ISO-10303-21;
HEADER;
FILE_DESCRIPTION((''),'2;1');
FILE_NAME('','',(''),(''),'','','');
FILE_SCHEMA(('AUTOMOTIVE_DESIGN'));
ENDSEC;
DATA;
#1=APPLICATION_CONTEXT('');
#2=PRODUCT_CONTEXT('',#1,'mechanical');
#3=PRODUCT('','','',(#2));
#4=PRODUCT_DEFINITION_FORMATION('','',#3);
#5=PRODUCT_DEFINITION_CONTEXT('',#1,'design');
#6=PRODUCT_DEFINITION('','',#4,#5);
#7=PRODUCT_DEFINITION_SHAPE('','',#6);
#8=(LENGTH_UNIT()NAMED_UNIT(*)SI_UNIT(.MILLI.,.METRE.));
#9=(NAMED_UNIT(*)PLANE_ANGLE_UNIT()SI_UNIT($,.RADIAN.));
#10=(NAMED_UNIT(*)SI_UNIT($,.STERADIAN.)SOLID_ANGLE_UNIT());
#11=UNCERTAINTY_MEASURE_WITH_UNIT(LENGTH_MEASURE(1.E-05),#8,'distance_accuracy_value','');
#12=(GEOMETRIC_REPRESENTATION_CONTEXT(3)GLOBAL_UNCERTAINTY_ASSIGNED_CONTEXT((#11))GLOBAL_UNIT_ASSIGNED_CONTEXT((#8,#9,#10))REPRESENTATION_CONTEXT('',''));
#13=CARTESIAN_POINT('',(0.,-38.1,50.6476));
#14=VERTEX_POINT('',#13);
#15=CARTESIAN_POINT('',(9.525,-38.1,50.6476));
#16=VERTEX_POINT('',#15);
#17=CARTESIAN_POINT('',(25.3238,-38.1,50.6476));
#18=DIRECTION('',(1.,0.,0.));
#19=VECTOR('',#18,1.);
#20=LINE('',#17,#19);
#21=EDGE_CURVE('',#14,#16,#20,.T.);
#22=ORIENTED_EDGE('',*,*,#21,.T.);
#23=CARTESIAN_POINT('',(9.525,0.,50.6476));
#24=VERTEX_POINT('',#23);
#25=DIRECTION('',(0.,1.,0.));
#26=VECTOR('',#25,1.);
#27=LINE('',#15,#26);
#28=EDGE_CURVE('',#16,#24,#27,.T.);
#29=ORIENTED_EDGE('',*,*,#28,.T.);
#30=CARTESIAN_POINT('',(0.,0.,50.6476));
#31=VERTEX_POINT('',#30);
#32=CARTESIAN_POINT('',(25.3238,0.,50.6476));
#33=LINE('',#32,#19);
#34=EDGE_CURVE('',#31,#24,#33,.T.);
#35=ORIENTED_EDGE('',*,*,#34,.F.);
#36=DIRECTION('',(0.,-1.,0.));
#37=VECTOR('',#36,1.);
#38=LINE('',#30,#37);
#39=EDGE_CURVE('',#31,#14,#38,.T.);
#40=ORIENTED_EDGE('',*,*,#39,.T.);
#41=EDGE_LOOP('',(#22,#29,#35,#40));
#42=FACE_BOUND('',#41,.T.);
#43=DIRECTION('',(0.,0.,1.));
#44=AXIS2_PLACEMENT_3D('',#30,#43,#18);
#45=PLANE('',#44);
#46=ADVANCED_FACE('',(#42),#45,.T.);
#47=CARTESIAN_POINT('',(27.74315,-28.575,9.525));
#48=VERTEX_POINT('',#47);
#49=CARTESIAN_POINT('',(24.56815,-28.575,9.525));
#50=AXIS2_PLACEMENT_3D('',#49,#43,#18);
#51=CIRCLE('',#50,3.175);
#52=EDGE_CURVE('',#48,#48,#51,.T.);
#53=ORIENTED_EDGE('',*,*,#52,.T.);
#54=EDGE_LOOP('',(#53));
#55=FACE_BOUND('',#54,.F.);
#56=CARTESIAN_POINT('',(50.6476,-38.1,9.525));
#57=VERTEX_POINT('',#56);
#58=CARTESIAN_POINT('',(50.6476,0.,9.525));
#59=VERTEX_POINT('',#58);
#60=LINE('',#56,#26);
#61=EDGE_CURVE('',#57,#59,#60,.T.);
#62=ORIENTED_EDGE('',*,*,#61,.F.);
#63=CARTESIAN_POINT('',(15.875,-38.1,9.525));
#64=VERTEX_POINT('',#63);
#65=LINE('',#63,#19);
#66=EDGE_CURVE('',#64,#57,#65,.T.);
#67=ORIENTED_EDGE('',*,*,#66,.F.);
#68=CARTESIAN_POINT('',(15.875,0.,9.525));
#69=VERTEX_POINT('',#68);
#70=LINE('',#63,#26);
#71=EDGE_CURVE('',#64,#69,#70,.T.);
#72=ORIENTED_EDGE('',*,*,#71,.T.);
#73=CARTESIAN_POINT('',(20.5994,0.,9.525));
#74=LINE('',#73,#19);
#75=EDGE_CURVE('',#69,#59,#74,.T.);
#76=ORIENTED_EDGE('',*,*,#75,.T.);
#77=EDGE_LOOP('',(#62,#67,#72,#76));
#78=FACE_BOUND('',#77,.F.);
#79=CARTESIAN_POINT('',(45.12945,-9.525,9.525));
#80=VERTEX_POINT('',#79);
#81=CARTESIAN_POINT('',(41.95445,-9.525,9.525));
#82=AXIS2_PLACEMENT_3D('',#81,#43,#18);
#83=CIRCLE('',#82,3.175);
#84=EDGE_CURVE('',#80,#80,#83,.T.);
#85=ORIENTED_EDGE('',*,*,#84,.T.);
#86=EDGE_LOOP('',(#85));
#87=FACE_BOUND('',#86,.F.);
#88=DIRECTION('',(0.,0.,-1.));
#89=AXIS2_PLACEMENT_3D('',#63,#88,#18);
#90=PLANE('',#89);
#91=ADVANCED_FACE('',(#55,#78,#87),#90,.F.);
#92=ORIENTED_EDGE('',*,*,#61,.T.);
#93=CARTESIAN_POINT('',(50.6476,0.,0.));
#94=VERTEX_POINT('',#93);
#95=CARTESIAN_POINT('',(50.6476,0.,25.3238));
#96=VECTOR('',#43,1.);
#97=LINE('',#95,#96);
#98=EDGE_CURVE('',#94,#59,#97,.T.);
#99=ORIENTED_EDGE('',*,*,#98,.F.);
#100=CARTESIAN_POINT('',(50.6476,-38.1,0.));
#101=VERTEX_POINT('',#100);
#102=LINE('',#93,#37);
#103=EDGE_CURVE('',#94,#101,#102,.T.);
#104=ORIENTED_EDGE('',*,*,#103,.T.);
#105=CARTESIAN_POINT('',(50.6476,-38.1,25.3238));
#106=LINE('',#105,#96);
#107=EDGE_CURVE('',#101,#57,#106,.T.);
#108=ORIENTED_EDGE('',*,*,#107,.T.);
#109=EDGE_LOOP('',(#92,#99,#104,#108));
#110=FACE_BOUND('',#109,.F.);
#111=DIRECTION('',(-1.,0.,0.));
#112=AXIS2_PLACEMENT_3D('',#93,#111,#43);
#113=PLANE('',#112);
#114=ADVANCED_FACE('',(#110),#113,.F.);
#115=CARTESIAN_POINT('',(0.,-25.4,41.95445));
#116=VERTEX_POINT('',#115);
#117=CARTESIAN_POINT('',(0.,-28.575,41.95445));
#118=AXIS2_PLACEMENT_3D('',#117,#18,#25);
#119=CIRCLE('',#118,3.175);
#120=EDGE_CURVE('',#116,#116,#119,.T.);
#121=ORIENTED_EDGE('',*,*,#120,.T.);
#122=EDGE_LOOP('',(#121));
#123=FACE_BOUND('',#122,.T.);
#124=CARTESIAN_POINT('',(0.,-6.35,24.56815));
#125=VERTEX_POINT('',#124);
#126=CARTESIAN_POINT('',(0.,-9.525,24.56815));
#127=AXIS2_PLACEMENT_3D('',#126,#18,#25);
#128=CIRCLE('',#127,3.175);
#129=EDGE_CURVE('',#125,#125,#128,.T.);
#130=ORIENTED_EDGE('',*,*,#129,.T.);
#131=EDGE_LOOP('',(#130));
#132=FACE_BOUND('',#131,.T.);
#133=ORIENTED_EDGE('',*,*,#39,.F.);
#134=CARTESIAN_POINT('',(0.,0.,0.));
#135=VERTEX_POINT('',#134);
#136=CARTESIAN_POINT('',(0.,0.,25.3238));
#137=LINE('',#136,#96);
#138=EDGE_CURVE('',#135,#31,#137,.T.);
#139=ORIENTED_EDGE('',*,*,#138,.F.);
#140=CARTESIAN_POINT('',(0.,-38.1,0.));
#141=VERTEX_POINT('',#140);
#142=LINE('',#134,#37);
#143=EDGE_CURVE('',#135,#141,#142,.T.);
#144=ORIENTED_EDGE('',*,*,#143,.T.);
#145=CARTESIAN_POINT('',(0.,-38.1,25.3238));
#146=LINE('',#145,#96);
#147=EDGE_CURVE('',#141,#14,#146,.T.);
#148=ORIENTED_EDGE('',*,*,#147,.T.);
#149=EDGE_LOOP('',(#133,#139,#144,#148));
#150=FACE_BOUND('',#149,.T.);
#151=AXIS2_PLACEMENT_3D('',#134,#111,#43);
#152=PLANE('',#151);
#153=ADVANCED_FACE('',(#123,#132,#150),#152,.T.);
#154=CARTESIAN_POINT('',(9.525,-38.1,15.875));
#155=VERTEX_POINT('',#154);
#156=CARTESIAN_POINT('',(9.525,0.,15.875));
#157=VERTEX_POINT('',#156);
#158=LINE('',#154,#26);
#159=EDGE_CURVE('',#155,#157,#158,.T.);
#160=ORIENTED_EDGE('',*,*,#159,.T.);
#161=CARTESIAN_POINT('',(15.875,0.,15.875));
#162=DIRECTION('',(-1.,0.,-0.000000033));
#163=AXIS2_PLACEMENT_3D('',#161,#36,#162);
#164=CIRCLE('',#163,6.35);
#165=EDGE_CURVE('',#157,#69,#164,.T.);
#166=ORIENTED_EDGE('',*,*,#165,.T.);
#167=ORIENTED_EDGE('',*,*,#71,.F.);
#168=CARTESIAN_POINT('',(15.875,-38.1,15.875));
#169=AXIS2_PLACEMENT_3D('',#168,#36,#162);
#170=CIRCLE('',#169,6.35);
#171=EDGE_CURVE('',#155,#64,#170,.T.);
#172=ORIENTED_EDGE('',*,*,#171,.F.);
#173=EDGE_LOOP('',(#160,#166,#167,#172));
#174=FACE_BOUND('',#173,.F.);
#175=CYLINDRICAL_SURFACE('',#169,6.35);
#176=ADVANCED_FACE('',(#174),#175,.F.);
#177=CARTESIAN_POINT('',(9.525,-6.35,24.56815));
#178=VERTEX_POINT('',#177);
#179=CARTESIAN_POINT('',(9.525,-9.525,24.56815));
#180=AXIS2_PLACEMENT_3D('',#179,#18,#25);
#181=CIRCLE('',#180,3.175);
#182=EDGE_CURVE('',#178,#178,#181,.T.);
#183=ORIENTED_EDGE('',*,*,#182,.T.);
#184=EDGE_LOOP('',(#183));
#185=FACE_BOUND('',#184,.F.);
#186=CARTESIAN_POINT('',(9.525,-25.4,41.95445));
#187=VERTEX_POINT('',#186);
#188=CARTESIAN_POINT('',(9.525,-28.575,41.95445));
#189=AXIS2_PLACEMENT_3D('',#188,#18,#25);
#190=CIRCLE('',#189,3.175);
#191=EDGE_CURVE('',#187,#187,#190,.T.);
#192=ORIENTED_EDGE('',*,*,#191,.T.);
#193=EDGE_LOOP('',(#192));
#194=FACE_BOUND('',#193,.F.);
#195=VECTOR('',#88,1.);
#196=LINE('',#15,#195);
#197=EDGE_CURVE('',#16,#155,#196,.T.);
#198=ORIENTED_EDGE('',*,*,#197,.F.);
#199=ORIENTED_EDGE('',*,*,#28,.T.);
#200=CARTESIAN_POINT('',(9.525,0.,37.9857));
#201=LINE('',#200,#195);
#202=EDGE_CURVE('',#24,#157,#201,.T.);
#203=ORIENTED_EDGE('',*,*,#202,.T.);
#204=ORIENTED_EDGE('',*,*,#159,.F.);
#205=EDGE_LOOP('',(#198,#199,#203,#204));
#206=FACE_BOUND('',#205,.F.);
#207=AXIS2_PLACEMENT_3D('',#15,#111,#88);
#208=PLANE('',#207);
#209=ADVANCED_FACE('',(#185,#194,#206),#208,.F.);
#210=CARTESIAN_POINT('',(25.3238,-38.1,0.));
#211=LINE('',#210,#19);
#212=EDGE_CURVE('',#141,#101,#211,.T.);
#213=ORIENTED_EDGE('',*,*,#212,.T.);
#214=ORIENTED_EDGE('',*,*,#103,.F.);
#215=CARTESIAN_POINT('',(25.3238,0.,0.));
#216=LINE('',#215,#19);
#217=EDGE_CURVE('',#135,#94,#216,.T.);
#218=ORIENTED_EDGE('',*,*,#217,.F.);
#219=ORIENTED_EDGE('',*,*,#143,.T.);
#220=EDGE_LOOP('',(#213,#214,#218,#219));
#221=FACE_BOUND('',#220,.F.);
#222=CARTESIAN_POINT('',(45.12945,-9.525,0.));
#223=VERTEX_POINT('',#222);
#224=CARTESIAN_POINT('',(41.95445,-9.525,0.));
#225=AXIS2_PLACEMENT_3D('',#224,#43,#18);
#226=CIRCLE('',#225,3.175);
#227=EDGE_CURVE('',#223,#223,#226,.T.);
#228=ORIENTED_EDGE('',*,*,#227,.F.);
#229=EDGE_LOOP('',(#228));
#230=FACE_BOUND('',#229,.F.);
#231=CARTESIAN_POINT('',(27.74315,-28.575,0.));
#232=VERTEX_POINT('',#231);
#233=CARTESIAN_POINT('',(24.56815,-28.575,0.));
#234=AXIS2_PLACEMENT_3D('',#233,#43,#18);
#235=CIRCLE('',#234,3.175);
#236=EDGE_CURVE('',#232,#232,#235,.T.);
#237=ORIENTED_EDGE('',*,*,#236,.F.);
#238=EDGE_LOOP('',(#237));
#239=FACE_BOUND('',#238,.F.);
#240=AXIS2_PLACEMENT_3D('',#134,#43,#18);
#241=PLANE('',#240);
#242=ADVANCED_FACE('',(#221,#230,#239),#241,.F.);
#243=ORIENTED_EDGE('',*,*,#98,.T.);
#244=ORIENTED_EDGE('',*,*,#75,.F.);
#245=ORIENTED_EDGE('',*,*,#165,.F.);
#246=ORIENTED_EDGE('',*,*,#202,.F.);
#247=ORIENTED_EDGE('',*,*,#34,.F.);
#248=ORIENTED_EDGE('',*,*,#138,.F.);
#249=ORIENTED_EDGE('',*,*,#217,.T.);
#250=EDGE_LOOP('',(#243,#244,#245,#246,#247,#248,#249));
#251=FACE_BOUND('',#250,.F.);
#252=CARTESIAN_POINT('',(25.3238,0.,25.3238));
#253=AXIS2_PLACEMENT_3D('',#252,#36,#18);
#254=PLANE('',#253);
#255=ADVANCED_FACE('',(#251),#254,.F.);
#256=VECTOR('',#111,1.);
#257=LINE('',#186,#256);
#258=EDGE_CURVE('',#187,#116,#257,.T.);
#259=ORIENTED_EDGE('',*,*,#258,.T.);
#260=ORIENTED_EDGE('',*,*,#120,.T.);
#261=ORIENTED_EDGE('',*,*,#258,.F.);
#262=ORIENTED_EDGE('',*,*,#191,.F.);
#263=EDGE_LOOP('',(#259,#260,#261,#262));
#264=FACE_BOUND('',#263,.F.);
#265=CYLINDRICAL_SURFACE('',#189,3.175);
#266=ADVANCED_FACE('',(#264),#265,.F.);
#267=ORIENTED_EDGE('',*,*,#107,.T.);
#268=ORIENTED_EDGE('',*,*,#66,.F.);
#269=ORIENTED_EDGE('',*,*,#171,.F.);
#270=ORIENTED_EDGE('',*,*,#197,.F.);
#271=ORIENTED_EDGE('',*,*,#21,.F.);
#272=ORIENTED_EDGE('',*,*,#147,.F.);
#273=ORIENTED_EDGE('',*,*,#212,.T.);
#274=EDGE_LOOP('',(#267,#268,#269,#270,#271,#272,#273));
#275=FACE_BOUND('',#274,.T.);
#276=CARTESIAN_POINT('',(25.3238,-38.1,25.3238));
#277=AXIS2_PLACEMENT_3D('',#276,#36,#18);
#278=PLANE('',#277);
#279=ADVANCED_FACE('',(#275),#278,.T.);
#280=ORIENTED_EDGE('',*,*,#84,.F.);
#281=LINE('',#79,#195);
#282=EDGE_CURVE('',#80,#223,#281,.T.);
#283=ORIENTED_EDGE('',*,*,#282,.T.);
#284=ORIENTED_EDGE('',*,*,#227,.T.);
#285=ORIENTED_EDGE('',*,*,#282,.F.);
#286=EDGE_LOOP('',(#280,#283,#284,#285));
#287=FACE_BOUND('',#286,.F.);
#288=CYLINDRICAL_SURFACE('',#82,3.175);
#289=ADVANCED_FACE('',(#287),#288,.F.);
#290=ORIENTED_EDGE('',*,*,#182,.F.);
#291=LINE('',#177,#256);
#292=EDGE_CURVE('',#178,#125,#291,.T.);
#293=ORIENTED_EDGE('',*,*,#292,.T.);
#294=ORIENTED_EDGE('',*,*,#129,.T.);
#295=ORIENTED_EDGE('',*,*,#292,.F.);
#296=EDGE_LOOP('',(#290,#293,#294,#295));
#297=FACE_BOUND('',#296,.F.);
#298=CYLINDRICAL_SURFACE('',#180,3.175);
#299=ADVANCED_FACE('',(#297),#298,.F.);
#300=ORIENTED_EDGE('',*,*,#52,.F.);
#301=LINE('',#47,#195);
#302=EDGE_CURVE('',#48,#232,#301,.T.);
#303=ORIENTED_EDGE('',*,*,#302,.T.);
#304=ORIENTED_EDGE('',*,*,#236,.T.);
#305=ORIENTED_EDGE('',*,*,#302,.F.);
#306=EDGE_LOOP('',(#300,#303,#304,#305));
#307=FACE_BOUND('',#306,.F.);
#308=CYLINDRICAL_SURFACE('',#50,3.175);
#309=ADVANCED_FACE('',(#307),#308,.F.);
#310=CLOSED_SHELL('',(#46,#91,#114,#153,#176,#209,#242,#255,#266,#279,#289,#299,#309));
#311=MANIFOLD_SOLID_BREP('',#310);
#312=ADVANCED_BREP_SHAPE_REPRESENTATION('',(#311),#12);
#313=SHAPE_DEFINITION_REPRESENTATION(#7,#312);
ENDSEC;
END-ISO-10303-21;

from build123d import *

# Parameters (mm, degrees)
F0_W     = 50.6476
F0_H     = 50.6476
F1_DEPTH = 38.1
F3_DEPTH = 38.101
F4_R     = 3.175
F5_DEPTH = 9.526
F6_R     = 3.175
F7_DEPTH = 9.526


with BuildPart() as f1:
    # F0 (on Front) → F1 (new body)
    with BuildSketch(Plane.XZ):
        with Locations((25.3238, 25.3238)):
            Rectangle(F0_W, F0_H)
    extrude(amount=F1_DEPTH)

    # F2 (on face) → F3 (cut, through all)
    with BuildSketch(Plane.XZ.offset(38.1)):
        with BuildLine():
            Line((50.6476, 9.525), (50.6476, 50.6476))
            Line((50.6476, 50.6476), (9.525, 50.6476))
            Line((9.525, 50.6476), (9.525, 15.875))
            ThreePointArc((9.525, 15.875), (11.384872, 11.384872), (15.875, 9.525))
            Line((15.875, 9.525), (50.6476, 9.525))
        make_face()
    extrude(amount=-F3_DEPTH, mode=Mode.SUBTRACT)

    # F4 (on face) → F5 (cut, through all)
    with BuildSketch(Plane.XY.offset(9.525)):
        with Locations((24.56815, -28.575)):
            Circle(F4_R)
        with Locations((41.95445, -9.525)):
            Circle(F4_R)
    extrude(amount=-F5_DEPTH, mode=Mode.SUBTRACT)

    # F6 (on face) → F7 (cut, through all)
    with BuildSketch(Plane.YZ.offset(9.525)):
        with Locations((-28.575, 41.95445)):
            Circle(F6_R)
        with Locations((-9.525, 24.56815)):
            Circle(F6_R)
    extrude(amount=-F7_DEPTH, mode=Mode.SUBTRACT)


solid = f1.part
